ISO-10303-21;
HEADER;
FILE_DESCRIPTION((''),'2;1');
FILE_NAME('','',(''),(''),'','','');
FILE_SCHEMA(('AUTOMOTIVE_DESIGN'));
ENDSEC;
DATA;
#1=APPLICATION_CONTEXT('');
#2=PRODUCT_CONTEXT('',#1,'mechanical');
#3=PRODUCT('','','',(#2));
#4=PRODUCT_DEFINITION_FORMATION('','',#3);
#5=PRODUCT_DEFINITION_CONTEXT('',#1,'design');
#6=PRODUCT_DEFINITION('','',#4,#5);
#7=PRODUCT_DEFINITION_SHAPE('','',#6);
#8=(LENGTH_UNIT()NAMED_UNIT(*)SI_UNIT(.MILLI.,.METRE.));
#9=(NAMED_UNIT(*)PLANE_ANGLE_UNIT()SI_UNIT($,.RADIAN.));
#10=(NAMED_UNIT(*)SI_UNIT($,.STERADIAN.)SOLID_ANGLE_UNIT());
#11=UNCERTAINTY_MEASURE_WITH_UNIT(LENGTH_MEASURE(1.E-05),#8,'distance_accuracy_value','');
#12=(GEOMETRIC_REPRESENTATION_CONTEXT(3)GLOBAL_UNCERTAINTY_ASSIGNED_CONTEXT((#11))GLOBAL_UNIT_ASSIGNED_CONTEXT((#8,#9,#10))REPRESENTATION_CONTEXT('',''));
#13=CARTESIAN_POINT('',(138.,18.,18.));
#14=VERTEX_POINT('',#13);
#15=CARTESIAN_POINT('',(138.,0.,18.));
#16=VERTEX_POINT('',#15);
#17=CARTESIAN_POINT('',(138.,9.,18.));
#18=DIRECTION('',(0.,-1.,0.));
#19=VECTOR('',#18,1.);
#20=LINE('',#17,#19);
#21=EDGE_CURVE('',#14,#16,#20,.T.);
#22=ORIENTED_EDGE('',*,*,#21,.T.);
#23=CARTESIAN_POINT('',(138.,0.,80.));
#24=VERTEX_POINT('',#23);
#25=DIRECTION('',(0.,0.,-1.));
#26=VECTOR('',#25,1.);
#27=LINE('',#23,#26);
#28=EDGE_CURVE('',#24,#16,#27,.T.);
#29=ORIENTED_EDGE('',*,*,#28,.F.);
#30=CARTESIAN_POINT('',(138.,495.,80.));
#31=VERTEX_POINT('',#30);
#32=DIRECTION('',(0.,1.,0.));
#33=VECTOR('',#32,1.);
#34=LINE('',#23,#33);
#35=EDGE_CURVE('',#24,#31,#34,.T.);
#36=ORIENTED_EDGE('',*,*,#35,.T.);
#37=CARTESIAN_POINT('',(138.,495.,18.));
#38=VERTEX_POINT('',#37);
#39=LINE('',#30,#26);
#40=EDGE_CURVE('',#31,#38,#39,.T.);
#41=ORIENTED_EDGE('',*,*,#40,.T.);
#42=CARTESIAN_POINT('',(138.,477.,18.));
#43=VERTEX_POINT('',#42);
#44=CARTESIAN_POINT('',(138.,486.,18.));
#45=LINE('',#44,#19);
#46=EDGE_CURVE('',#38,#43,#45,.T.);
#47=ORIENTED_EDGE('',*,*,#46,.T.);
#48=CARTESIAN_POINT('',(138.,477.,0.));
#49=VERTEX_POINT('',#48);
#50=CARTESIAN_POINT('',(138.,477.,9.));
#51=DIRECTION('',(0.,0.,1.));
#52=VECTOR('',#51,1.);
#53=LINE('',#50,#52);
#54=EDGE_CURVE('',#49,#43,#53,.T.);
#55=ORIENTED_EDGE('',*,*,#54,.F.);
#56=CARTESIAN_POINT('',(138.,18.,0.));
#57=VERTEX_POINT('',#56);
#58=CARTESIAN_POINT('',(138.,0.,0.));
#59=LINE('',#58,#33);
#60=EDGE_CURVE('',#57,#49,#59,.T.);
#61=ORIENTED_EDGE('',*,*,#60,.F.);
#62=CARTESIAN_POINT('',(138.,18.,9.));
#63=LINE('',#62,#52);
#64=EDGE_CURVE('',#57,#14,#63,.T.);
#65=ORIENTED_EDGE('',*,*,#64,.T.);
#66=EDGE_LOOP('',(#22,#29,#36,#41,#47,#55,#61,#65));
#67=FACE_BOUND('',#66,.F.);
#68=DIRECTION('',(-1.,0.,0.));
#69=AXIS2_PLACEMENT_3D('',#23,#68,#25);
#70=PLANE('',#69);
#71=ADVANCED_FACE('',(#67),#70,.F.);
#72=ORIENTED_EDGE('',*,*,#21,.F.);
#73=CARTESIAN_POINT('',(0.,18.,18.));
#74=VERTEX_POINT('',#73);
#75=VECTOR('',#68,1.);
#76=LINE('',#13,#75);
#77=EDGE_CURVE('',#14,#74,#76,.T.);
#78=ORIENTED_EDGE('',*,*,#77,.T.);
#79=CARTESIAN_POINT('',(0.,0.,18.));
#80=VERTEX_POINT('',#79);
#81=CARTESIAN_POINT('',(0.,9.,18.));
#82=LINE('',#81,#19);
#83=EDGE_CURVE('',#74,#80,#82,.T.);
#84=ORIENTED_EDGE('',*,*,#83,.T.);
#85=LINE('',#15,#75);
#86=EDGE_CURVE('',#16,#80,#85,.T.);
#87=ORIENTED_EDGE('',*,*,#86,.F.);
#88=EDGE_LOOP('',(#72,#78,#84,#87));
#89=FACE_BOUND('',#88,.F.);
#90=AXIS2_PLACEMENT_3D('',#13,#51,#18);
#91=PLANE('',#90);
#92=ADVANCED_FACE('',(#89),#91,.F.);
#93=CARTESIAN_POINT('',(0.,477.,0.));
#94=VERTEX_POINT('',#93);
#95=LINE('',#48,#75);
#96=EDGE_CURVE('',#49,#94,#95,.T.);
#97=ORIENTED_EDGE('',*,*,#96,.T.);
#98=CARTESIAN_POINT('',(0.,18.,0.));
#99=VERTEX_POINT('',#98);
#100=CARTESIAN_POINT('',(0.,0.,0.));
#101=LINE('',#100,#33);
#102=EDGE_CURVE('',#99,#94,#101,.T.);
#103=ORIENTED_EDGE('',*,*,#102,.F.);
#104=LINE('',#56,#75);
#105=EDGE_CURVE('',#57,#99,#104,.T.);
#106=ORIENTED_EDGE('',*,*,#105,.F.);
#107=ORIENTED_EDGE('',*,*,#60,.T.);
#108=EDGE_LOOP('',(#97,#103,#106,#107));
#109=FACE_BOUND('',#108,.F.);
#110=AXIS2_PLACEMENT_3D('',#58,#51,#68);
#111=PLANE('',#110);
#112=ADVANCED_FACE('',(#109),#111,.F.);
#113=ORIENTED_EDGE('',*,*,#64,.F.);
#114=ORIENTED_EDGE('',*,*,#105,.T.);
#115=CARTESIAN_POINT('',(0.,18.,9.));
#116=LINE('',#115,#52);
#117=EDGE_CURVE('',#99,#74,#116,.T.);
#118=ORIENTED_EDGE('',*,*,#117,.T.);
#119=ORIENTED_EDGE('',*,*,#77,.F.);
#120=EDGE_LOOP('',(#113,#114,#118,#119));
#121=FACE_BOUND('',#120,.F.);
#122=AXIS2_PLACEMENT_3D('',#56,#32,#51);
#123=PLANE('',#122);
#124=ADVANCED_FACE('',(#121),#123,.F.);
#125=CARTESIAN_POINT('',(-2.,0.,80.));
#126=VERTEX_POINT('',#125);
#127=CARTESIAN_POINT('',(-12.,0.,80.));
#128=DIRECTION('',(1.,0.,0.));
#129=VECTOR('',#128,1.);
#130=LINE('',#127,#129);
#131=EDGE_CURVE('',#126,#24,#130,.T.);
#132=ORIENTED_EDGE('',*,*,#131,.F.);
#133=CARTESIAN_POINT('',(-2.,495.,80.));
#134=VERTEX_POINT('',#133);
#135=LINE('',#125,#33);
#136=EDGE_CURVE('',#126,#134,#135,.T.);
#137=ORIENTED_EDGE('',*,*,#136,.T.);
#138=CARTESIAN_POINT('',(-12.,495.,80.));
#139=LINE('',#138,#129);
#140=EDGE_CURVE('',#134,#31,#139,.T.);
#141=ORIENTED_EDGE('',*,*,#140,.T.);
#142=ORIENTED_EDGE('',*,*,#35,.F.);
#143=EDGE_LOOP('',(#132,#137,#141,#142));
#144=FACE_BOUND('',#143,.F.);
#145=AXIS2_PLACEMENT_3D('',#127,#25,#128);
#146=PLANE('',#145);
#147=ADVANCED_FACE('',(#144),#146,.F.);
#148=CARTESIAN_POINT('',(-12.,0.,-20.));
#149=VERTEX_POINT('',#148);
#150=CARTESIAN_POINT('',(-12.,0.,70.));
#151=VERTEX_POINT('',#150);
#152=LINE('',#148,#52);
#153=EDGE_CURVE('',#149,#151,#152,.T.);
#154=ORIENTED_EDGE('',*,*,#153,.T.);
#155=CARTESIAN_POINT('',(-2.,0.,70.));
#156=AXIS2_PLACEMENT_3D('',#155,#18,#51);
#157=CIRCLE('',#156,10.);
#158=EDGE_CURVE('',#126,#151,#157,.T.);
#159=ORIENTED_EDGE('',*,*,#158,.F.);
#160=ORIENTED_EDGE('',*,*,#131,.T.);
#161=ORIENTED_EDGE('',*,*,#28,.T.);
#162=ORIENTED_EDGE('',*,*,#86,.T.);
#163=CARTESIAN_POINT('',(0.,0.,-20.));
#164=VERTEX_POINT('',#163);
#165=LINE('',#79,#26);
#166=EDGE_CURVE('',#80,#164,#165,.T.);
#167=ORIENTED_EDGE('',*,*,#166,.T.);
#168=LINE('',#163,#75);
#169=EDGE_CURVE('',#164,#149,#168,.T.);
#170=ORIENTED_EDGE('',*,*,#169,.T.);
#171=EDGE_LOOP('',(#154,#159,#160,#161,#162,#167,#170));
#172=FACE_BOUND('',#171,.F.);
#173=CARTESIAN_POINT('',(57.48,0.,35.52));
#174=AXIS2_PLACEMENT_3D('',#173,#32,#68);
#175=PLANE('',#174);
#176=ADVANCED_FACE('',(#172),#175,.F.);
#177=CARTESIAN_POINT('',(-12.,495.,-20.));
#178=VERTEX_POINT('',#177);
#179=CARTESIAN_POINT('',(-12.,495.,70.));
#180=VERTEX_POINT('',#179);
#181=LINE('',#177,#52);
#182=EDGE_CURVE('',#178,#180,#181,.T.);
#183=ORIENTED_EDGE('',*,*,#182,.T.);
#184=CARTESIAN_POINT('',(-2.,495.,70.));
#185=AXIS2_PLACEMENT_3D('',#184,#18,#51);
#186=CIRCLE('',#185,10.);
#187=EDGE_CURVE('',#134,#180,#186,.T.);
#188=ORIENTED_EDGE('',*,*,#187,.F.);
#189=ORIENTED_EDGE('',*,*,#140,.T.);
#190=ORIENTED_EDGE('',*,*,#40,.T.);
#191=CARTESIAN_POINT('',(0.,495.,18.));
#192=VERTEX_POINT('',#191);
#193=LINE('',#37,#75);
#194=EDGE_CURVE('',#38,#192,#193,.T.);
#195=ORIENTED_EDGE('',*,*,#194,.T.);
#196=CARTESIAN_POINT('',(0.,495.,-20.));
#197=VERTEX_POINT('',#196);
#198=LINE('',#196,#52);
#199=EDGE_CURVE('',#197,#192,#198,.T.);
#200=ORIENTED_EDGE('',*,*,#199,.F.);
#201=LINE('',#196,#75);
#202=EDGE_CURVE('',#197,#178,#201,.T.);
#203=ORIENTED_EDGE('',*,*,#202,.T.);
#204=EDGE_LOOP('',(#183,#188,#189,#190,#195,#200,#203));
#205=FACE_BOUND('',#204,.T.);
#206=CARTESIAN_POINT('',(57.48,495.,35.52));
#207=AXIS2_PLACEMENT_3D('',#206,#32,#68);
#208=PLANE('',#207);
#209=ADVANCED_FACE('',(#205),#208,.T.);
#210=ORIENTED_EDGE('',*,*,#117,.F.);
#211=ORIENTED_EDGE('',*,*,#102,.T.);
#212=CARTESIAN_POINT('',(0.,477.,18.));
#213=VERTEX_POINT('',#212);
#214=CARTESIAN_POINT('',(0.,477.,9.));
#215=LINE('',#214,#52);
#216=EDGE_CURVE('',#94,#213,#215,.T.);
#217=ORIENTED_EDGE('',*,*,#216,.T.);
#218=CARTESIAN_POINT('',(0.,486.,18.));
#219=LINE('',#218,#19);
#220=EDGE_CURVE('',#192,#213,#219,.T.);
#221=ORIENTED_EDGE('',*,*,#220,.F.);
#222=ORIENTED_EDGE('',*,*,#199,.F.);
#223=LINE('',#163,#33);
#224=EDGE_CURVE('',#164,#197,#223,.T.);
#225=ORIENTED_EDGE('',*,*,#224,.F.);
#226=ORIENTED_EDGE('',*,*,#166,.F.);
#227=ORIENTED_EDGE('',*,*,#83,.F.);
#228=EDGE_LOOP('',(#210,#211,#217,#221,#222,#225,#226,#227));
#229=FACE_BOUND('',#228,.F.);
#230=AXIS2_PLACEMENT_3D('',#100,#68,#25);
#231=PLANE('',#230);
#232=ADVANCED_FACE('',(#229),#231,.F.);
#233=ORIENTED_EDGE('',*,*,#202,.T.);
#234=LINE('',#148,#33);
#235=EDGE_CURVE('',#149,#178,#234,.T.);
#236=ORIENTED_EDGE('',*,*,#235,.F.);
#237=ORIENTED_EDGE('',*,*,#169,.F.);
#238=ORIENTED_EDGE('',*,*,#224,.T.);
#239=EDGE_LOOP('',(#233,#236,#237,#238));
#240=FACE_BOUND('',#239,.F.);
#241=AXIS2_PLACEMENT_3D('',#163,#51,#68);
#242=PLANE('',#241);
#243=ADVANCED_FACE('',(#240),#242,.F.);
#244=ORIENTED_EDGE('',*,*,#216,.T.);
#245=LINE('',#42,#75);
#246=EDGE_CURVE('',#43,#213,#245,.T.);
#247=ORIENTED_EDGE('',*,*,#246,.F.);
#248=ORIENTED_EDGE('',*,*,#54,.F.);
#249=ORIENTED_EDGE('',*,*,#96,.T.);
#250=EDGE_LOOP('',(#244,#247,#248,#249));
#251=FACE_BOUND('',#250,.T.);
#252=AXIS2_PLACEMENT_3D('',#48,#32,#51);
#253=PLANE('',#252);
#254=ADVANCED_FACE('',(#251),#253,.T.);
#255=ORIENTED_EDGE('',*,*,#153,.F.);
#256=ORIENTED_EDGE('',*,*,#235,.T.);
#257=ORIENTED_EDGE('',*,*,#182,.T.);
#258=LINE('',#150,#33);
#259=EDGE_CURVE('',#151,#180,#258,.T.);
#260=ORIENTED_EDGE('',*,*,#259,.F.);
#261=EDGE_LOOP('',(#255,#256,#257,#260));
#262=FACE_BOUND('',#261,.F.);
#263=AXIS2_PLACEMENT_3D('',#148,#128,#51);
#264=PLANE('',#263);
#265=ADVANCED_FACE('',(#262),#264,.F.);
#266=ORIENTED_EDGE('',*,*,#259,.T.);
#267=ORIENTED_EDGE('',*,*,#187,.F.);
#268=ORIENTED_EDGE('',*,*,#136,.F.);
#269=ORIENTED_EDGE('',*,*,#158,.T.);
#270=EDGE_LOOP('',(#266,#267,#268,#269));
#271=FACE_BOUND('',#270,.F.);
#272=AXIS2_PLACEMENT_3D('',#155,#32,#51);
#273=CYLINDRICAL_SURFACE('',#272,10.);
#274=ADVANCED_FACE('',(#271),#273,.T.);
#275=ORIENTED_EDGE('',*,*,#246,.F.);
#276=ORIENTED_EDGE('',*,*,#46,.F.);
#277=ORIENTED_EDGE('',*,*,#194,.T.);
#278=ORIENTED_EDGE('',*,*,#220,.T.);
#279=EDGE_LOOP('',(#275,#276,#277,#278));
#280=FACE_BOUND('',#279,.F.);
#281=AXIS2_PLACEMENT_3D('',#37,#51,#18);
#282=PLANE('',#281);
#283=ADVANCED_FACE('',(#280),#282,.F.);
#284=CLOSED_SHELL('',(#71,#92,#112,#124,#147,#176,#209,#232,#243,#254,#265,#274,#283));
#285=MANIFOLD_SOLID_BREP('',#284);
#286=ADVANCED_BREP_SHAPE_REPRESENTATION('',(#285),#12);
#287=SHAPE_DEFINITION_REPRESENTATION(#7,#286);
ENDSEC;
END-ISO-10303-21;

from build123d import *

# Parameters (mm, degrees)
PAD_DEPTH    = 495
SKETCH001_W  = 18
SKETCH001_H  = 18
POCKET_DEPTH = 138
FILLET_R     = 10


with BuildPart() as part:
    # Sketch → Pad (new body)
    with BuildSketch(Plane.XZ):
        Polygon((138, 0), (0, 0), (0, -20), (-12, -20), (-12, 80), (138, 80), align=None)
    extrude(amount=-PAD_DEPTH)

    # Sketch001 (on Face2 of Pad) → Pocket (cut)
    with BuildSketch(Plane(origin=(138, 0, 0), x_dir=(0, 0, 1), z_dir=(1, 0, 0))):
        with Locations((9, -9)):
            Rectangle(SKETCH001_W, SKETCH001_H)
        with Locations((9, -486)):
            Rectangle(SKETCH001_W, SKETCH001_H)
    extrude(amount=-POCKET_DEPTH, mode=Mode.SUBTRACT)

    # Fillet
    fillet_edges = [part.edges().sort_by_distance(p)[0] for p in [
        (-12, 247.5, 80),
    ]]
    fillet(fillet_edges, radius=FILLET_R)


solid = part.part
